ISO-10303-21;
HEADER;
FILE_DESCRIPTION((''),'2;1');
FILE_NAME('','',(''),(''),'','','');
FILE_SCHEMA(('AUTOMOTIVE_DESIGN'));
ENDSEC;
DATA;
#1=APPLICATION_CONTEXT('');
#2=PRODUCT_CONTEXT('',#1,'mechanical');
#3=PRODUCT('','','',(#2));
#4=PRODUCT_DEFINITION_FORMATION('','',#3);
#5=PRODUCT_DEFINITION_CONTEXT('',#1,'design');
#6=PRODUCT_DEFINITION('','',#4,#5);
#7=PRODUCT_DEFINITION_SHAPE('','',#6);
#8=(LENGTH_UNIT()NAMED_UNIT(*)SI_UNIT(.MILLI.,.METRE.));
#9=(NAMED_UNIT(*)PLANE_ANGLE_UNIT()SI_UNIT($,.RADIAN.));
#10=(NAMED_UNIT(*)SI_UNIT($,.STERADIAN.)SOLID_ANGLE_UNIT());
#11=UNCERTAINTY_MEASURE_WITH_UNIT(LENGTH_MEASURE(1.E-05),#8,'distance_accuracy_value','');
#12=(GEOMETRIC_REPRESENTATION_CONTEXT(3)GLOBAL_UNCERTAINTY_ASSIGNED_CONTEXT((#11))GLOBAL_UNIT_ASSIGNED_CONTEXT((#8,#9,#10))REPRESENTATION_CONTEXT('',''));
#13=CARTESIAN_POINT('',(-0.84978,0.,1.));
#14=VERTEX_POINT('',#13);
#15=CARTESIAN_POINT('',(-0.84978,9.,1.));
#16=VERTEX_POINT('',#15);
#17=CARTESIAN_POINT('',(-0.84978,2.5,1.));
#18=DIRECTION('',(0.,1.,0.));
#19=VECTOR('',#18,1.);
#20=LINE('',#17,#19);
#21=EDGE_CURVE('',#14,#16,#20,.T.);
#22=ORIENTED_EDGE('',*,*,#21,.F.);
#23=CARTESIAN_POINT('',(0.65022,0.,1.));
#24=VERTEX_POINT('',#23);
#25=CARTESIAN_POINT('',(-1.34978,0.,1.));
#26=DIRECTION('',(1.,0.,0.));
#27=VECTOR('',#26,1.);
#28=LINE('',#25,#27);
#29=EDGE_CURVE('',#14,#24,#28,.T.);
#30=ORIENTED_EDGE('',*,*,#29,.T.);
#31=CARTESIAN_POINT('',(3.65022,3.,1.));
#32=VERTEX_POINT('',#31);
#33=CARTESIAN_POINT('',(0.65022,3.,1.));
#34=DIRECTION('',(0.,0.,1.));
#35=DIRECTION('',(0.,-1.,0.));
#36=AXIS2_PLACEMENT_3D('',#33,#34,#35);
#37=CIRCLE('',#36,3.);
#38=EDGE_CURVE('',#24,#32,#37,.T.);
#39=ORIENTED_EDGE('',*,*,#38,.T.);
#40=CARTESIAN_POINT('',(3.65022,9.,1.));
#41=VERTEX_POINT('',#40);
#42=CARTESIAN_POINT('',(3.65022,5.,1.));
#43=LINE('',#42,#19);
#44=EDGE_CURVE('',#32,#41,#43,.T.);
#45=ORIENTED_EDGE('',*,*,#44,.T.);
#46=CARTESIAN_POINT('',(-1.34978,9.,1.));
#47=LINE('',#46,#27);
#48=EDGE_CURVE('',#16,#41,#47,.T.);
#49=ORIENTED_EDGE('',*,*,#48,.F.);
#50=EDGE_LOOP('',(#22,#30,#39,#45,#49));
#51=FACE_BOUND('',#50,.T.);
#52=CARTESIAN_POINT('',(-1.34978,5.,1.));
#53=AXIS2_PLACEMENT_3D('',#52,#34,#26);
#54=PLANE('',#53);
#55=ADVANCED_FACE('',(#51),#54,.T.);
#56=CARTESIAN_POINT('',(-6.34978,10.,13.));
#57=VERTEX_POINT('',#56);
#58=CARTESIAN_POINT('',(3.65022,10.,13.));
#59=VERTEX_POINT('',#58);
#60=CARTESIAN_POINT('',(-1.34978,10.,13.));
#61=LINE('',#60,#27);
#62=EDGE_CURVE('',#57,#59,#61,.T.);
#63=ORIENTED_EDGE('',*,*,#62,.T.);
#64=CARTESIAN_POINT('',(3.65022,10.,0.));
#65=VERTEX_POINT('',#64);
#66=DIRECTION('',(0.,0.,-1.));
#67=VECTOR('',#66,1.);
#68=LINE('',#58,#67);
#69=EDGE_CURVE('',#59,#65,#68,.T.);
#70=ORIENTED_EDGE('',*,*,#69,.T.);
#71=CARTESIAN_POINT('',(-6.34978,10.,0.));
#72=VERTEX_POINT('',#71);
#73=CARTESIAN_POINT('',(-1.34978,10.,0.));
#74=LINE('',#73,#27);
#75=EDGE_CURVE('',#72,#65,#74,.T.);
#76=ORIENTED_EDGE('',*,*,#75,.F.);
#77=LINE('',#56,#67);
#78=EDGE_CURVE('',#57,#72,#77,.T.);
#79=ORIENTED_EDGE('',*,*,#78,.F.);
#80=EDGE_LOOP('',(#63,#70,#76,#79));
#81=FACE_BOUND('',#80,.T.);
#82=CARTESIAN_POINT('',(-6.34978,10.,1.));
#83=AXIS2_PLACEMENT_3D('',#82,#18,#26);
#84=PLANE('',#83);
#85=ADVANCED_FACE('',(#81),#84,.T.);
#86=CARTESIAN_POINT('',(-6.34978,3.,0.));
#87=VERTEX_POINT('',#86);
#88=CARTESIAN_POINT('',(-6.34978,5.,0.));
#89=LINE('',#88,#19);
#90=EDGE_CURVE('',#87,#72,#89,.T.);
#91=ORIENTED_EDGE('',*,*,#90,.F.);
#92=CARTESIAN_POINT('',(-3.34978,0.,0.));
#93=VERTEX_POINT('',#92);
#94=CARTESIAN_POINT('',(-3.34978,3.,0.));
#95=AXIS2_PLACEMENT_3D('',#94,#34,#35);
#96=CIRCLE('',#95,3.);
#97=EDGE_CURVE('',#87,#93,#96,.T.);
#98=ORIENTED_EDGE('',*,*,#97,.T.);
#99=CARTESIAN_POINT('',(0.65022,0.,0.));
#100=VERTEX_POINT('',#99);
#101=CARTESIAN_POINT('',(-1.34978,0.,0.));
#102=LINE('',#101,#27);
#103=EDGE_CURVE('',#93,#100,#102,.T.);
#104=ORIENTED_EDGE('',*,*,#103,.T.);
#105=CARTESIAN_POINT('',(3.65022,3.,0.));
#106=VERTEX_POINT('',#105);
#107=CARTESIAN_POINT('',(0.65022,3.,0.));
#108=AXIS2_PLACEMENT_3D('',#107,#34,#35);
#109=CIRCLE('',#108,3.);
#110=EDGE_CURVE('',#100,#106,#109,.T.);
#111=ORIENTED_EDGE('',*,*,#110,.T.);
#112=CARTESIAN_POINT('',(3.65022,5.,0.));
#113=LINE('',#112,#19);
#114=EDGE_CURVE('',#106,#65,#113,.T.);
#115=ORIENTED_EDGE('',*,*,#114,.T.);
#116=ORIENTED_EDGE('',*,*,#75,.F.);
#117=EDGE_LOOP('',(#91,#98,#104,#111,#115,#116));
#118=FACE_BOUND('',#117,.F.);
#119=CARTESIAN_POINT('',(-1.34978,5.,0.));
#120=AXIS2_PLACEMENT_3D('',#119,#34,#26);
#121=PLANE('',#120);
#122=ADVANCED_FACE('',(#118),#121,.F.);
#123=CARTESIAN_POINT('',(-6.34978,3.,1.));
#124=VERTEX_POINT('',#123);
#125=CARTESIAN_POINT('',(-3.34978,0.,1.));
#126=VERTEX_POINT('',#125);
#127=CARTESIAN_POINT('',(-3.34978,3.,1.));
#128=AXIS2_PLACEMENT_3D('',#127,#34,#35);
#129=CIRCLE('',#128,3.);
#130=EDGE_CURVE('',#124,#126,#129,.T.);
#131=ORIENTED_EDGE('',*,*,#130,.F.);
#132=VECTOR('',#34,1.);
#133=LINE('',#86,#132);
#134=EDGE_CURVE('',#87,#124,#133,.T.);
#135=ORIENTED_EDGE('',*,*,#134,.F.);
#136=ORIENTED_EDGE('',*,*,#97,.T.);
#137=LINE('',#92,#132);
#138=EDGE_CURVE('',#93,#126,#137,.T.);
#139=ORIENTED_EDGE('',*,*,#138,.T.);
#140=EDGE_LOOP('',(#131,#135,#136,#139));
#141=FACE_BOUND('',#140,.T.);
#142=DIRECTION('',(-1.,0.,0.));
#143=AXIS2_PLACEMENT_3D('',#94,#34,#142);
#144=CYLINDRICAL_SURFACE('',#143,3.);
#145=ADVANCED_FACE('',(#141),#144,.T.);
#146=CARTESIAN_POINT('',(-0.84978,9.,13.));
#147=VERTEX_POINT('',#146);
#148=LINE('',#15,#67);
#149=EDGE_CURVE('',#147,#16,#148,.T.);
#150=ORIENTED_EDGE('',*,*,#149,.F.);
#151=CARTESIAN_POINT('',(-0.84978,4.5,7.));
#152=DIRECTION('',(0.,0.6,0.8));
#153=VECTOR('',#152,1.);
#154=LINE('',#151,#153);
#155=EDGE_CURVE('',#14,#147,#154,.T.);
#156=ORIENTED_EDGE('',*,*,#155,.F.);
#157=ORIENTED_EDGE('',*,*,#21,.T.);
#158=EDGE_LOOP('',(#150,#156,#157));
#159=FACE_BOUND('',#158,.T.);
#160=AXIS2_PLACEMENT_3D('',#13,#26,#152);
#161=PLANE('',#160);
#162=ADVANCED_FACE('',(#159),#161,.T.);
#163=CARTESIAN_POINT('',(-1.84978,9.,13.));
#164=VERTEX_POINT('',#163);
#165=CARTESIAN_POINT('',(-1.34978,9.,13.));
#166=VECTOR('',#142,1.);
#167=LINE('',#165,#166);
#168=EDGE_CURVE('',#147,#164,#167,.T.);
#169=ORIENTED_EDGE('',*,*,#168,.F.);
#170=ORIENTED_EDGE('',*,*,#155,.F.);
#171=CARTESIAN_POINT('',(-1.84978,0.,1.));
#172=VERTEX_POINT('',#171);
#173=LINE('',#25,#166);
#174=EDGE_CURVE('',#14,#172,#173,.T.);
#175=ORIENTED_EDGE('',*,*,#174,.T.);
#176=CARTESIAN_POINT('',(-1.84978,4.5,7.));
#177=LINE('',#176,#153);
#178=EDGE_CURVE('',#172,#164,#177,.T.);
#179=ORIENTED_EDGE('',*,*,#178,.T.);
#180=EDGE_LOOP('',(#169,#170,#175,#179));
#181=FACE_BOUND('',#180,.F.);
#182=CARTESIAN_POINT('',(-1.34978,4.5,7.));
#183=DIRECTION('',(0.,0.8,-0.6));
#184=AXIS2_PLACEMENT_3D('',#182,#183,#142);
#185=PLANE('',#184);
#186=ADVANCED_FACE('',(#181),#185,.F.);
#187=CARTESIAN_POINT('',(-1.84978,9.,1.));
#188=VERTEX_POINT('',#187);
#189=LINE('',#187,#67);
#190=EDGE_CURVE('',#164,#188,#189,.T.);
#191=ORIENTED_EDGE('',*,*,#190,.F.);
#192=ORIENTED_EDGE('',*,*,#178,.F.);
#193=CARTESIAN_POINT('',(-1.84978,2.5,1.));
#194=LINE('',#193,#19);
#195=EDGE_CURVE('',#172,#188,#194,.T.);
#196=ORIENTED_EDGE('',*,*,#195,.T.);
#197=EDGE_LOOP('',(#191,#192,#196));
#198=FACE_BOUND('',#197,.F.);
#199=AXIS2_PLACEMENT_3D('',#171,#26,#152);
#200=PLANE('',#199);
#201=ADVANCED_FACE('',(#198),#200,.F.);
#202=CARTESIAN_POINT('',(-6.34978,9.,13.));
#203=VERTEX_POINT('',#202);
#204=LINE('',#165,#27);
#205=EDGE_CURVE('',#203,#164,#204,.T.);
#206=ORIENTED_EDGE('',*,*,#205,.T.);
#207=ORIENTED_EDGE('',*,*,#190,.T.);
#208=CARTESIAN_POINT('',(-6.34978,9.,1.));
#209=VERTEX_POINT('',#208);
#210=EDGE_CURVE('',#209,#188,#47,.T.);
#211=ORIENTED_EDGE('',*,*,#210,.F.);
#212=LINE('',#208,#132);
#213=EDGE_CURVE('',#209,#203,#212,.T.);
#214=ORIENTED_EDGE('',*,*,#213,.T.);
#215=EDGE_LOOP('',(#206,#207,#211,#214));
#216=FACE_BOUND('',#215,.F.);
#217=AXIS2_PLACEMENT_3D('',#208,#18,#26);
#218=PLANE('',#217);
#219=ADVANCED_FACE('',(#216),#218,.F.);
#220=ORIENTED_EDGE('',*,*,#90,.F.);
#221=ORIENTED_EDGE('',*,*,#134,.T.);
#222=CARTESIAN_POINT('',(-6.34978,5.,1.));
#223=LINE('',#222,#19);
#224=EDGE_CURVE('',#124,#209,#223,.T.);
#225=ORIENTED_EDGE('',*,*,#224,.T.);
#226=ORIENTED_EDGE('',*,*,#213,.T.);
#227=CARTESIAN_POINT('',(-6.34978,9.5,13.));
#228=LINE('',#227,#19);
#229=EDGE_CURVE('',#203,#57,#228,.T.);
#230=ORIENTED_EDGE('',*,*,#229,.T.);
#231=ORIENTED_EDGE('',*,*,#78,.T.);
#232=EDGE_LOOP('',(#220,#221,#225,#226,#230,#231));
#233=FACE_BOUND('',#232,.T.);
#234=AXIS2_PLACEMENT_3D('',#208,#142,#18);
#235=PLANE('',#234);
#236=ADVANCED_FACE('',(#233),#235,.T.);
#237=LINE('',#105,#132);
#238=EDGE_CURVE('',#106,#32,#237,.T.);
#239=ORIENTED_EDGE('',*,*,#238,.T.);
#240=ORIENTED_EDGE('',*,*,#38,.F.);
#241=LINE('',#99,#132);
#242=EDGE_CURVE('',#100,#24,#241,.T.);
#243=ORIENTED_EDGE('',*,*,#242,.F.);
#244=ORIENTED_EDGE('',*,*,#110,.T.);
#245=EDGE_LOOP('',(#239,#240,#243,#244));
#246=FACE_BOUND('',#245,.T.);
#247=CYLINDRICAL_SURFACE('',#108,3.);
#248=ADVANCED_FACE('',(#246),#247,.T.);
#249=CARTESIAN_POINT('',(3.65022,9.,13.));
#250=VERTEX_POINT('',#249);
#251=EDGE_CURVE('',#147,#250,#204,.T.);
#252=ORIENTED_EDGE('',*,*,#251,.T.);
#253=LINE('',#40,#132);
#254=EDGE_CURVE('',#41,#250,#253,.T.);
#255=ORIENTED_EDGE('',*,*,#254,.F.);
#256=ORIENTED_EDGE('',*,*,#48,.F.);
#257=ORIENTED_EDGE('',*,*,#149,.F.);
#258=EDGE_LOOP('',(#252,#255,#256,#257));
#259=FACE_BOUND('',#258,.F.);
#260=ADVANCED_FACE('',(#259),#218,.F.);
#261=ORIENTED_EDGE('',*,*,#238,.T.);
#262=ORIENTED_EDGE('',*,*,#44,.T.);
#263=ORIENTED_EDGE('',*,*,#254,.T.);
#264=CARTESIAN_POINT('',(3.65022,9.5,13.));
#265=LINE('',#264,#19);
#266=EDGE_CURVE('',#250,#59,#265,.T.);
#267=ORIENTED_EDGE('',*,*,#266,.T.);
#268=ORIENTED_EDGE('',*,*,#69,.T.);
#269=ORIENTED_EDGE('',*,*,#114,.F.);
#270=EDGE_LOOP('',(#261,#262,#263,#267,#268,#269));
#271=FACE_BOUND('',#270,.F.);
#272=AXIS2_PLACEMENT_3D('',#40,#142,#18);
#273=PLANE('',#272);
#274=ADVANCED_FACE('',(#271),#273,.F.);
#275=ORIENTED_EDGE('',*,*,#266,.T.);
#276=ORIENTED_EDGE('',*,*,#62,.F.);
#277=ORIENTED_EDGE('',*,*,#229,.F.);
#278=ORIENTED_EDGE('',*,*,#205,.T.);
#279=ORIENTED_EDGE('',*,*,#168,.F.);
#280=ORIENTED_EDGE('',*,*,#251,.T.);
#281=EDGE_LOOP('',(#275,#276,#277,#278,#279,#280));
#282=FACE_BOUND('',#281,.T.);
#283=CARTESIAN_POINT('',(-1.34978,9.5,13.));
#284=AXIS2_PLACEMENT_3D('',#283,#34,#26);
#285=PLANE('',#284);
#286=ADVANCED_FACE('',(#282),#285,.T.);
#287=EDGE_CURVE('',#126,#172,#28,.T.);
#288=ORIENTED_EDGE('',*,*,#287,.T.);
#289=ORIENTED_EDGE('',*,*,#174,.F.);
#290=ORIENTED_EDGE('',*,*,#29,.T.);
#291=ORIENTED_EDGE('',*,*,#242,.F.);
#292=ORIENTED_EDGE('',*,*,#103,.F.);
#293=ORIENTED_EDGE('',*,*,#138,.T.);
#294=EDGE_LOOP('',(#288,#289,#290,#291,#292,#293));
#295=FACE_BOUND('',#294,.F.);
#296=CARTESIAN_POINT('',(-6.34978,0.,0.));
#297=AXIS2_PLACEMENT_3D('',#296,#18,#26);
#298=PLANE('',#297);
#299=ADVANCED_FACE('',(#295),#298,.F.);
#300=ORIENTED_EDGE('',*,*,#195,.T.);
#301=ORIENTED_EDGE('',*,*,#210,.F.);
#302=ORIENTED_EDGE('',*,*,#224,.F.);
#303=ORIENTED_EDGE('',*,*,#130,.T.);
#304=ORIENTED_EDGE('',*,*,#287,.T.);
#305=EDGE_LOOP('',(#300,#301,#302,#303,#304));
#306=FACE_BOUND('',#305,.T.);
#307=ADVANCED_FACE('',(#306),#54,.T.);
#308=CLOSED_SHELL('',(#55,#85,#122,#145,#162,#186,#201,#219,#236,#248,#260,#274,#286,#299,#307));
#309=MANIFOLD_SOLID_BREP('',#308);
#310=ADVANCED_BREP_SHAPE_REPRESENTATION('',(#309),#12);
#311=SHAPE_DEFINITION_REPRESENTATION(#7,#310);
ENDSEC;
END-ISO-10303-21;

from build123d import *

# Parameters (mm, degrees)
F1_W     = 10
F1_H     = 10
F2_DEPTH = 1
F3_W     = 10
F3_H     = 1
F4_DEPTH = 12
F8_W     = 1
F8_H     = 15
F10_R    = 3


with BuildPart() as f2:
    # F1 (on Top) → F2 (new body)
    with BuildSketch(Plane.XY):
        with Locations((-1.3497796124, 5)):
            Rectangle(F1_W, F1_H)
    extrude(amount=F2_DEPTH)

    # F3 (on face) → F4 (join)
    with BuildSketch(Plane.XY.offset(1)):
        with Locations((-1.3497796124, 9.5)):
            Rectangle(F3_W, F3_H)
    extrude(amount=F4_DEPTH)

    # F8 (on 3pt) → F9 (join, up to the next surface of F2)
    with BuildSketch(Plane(origin=(0, -0.48, 0.36), x_dir=(-1, 0, 0), z_dir=(0, 0.8, -0.6))):
        with Locations((1.3497796124, 8.3)):
            Rectangle(F8_W, F8_H)
    extrude(until=Until.NEXT)

    # F10
    f10_edges = [f2.edges().sort_by_distance(p)[0] for p in [
        (3.65022, 0, 0.5),
        (-6.34978, 0, 0.5),
    ]]
    fillet(f10_edges, radius=F10_R)


solid = f2.part
